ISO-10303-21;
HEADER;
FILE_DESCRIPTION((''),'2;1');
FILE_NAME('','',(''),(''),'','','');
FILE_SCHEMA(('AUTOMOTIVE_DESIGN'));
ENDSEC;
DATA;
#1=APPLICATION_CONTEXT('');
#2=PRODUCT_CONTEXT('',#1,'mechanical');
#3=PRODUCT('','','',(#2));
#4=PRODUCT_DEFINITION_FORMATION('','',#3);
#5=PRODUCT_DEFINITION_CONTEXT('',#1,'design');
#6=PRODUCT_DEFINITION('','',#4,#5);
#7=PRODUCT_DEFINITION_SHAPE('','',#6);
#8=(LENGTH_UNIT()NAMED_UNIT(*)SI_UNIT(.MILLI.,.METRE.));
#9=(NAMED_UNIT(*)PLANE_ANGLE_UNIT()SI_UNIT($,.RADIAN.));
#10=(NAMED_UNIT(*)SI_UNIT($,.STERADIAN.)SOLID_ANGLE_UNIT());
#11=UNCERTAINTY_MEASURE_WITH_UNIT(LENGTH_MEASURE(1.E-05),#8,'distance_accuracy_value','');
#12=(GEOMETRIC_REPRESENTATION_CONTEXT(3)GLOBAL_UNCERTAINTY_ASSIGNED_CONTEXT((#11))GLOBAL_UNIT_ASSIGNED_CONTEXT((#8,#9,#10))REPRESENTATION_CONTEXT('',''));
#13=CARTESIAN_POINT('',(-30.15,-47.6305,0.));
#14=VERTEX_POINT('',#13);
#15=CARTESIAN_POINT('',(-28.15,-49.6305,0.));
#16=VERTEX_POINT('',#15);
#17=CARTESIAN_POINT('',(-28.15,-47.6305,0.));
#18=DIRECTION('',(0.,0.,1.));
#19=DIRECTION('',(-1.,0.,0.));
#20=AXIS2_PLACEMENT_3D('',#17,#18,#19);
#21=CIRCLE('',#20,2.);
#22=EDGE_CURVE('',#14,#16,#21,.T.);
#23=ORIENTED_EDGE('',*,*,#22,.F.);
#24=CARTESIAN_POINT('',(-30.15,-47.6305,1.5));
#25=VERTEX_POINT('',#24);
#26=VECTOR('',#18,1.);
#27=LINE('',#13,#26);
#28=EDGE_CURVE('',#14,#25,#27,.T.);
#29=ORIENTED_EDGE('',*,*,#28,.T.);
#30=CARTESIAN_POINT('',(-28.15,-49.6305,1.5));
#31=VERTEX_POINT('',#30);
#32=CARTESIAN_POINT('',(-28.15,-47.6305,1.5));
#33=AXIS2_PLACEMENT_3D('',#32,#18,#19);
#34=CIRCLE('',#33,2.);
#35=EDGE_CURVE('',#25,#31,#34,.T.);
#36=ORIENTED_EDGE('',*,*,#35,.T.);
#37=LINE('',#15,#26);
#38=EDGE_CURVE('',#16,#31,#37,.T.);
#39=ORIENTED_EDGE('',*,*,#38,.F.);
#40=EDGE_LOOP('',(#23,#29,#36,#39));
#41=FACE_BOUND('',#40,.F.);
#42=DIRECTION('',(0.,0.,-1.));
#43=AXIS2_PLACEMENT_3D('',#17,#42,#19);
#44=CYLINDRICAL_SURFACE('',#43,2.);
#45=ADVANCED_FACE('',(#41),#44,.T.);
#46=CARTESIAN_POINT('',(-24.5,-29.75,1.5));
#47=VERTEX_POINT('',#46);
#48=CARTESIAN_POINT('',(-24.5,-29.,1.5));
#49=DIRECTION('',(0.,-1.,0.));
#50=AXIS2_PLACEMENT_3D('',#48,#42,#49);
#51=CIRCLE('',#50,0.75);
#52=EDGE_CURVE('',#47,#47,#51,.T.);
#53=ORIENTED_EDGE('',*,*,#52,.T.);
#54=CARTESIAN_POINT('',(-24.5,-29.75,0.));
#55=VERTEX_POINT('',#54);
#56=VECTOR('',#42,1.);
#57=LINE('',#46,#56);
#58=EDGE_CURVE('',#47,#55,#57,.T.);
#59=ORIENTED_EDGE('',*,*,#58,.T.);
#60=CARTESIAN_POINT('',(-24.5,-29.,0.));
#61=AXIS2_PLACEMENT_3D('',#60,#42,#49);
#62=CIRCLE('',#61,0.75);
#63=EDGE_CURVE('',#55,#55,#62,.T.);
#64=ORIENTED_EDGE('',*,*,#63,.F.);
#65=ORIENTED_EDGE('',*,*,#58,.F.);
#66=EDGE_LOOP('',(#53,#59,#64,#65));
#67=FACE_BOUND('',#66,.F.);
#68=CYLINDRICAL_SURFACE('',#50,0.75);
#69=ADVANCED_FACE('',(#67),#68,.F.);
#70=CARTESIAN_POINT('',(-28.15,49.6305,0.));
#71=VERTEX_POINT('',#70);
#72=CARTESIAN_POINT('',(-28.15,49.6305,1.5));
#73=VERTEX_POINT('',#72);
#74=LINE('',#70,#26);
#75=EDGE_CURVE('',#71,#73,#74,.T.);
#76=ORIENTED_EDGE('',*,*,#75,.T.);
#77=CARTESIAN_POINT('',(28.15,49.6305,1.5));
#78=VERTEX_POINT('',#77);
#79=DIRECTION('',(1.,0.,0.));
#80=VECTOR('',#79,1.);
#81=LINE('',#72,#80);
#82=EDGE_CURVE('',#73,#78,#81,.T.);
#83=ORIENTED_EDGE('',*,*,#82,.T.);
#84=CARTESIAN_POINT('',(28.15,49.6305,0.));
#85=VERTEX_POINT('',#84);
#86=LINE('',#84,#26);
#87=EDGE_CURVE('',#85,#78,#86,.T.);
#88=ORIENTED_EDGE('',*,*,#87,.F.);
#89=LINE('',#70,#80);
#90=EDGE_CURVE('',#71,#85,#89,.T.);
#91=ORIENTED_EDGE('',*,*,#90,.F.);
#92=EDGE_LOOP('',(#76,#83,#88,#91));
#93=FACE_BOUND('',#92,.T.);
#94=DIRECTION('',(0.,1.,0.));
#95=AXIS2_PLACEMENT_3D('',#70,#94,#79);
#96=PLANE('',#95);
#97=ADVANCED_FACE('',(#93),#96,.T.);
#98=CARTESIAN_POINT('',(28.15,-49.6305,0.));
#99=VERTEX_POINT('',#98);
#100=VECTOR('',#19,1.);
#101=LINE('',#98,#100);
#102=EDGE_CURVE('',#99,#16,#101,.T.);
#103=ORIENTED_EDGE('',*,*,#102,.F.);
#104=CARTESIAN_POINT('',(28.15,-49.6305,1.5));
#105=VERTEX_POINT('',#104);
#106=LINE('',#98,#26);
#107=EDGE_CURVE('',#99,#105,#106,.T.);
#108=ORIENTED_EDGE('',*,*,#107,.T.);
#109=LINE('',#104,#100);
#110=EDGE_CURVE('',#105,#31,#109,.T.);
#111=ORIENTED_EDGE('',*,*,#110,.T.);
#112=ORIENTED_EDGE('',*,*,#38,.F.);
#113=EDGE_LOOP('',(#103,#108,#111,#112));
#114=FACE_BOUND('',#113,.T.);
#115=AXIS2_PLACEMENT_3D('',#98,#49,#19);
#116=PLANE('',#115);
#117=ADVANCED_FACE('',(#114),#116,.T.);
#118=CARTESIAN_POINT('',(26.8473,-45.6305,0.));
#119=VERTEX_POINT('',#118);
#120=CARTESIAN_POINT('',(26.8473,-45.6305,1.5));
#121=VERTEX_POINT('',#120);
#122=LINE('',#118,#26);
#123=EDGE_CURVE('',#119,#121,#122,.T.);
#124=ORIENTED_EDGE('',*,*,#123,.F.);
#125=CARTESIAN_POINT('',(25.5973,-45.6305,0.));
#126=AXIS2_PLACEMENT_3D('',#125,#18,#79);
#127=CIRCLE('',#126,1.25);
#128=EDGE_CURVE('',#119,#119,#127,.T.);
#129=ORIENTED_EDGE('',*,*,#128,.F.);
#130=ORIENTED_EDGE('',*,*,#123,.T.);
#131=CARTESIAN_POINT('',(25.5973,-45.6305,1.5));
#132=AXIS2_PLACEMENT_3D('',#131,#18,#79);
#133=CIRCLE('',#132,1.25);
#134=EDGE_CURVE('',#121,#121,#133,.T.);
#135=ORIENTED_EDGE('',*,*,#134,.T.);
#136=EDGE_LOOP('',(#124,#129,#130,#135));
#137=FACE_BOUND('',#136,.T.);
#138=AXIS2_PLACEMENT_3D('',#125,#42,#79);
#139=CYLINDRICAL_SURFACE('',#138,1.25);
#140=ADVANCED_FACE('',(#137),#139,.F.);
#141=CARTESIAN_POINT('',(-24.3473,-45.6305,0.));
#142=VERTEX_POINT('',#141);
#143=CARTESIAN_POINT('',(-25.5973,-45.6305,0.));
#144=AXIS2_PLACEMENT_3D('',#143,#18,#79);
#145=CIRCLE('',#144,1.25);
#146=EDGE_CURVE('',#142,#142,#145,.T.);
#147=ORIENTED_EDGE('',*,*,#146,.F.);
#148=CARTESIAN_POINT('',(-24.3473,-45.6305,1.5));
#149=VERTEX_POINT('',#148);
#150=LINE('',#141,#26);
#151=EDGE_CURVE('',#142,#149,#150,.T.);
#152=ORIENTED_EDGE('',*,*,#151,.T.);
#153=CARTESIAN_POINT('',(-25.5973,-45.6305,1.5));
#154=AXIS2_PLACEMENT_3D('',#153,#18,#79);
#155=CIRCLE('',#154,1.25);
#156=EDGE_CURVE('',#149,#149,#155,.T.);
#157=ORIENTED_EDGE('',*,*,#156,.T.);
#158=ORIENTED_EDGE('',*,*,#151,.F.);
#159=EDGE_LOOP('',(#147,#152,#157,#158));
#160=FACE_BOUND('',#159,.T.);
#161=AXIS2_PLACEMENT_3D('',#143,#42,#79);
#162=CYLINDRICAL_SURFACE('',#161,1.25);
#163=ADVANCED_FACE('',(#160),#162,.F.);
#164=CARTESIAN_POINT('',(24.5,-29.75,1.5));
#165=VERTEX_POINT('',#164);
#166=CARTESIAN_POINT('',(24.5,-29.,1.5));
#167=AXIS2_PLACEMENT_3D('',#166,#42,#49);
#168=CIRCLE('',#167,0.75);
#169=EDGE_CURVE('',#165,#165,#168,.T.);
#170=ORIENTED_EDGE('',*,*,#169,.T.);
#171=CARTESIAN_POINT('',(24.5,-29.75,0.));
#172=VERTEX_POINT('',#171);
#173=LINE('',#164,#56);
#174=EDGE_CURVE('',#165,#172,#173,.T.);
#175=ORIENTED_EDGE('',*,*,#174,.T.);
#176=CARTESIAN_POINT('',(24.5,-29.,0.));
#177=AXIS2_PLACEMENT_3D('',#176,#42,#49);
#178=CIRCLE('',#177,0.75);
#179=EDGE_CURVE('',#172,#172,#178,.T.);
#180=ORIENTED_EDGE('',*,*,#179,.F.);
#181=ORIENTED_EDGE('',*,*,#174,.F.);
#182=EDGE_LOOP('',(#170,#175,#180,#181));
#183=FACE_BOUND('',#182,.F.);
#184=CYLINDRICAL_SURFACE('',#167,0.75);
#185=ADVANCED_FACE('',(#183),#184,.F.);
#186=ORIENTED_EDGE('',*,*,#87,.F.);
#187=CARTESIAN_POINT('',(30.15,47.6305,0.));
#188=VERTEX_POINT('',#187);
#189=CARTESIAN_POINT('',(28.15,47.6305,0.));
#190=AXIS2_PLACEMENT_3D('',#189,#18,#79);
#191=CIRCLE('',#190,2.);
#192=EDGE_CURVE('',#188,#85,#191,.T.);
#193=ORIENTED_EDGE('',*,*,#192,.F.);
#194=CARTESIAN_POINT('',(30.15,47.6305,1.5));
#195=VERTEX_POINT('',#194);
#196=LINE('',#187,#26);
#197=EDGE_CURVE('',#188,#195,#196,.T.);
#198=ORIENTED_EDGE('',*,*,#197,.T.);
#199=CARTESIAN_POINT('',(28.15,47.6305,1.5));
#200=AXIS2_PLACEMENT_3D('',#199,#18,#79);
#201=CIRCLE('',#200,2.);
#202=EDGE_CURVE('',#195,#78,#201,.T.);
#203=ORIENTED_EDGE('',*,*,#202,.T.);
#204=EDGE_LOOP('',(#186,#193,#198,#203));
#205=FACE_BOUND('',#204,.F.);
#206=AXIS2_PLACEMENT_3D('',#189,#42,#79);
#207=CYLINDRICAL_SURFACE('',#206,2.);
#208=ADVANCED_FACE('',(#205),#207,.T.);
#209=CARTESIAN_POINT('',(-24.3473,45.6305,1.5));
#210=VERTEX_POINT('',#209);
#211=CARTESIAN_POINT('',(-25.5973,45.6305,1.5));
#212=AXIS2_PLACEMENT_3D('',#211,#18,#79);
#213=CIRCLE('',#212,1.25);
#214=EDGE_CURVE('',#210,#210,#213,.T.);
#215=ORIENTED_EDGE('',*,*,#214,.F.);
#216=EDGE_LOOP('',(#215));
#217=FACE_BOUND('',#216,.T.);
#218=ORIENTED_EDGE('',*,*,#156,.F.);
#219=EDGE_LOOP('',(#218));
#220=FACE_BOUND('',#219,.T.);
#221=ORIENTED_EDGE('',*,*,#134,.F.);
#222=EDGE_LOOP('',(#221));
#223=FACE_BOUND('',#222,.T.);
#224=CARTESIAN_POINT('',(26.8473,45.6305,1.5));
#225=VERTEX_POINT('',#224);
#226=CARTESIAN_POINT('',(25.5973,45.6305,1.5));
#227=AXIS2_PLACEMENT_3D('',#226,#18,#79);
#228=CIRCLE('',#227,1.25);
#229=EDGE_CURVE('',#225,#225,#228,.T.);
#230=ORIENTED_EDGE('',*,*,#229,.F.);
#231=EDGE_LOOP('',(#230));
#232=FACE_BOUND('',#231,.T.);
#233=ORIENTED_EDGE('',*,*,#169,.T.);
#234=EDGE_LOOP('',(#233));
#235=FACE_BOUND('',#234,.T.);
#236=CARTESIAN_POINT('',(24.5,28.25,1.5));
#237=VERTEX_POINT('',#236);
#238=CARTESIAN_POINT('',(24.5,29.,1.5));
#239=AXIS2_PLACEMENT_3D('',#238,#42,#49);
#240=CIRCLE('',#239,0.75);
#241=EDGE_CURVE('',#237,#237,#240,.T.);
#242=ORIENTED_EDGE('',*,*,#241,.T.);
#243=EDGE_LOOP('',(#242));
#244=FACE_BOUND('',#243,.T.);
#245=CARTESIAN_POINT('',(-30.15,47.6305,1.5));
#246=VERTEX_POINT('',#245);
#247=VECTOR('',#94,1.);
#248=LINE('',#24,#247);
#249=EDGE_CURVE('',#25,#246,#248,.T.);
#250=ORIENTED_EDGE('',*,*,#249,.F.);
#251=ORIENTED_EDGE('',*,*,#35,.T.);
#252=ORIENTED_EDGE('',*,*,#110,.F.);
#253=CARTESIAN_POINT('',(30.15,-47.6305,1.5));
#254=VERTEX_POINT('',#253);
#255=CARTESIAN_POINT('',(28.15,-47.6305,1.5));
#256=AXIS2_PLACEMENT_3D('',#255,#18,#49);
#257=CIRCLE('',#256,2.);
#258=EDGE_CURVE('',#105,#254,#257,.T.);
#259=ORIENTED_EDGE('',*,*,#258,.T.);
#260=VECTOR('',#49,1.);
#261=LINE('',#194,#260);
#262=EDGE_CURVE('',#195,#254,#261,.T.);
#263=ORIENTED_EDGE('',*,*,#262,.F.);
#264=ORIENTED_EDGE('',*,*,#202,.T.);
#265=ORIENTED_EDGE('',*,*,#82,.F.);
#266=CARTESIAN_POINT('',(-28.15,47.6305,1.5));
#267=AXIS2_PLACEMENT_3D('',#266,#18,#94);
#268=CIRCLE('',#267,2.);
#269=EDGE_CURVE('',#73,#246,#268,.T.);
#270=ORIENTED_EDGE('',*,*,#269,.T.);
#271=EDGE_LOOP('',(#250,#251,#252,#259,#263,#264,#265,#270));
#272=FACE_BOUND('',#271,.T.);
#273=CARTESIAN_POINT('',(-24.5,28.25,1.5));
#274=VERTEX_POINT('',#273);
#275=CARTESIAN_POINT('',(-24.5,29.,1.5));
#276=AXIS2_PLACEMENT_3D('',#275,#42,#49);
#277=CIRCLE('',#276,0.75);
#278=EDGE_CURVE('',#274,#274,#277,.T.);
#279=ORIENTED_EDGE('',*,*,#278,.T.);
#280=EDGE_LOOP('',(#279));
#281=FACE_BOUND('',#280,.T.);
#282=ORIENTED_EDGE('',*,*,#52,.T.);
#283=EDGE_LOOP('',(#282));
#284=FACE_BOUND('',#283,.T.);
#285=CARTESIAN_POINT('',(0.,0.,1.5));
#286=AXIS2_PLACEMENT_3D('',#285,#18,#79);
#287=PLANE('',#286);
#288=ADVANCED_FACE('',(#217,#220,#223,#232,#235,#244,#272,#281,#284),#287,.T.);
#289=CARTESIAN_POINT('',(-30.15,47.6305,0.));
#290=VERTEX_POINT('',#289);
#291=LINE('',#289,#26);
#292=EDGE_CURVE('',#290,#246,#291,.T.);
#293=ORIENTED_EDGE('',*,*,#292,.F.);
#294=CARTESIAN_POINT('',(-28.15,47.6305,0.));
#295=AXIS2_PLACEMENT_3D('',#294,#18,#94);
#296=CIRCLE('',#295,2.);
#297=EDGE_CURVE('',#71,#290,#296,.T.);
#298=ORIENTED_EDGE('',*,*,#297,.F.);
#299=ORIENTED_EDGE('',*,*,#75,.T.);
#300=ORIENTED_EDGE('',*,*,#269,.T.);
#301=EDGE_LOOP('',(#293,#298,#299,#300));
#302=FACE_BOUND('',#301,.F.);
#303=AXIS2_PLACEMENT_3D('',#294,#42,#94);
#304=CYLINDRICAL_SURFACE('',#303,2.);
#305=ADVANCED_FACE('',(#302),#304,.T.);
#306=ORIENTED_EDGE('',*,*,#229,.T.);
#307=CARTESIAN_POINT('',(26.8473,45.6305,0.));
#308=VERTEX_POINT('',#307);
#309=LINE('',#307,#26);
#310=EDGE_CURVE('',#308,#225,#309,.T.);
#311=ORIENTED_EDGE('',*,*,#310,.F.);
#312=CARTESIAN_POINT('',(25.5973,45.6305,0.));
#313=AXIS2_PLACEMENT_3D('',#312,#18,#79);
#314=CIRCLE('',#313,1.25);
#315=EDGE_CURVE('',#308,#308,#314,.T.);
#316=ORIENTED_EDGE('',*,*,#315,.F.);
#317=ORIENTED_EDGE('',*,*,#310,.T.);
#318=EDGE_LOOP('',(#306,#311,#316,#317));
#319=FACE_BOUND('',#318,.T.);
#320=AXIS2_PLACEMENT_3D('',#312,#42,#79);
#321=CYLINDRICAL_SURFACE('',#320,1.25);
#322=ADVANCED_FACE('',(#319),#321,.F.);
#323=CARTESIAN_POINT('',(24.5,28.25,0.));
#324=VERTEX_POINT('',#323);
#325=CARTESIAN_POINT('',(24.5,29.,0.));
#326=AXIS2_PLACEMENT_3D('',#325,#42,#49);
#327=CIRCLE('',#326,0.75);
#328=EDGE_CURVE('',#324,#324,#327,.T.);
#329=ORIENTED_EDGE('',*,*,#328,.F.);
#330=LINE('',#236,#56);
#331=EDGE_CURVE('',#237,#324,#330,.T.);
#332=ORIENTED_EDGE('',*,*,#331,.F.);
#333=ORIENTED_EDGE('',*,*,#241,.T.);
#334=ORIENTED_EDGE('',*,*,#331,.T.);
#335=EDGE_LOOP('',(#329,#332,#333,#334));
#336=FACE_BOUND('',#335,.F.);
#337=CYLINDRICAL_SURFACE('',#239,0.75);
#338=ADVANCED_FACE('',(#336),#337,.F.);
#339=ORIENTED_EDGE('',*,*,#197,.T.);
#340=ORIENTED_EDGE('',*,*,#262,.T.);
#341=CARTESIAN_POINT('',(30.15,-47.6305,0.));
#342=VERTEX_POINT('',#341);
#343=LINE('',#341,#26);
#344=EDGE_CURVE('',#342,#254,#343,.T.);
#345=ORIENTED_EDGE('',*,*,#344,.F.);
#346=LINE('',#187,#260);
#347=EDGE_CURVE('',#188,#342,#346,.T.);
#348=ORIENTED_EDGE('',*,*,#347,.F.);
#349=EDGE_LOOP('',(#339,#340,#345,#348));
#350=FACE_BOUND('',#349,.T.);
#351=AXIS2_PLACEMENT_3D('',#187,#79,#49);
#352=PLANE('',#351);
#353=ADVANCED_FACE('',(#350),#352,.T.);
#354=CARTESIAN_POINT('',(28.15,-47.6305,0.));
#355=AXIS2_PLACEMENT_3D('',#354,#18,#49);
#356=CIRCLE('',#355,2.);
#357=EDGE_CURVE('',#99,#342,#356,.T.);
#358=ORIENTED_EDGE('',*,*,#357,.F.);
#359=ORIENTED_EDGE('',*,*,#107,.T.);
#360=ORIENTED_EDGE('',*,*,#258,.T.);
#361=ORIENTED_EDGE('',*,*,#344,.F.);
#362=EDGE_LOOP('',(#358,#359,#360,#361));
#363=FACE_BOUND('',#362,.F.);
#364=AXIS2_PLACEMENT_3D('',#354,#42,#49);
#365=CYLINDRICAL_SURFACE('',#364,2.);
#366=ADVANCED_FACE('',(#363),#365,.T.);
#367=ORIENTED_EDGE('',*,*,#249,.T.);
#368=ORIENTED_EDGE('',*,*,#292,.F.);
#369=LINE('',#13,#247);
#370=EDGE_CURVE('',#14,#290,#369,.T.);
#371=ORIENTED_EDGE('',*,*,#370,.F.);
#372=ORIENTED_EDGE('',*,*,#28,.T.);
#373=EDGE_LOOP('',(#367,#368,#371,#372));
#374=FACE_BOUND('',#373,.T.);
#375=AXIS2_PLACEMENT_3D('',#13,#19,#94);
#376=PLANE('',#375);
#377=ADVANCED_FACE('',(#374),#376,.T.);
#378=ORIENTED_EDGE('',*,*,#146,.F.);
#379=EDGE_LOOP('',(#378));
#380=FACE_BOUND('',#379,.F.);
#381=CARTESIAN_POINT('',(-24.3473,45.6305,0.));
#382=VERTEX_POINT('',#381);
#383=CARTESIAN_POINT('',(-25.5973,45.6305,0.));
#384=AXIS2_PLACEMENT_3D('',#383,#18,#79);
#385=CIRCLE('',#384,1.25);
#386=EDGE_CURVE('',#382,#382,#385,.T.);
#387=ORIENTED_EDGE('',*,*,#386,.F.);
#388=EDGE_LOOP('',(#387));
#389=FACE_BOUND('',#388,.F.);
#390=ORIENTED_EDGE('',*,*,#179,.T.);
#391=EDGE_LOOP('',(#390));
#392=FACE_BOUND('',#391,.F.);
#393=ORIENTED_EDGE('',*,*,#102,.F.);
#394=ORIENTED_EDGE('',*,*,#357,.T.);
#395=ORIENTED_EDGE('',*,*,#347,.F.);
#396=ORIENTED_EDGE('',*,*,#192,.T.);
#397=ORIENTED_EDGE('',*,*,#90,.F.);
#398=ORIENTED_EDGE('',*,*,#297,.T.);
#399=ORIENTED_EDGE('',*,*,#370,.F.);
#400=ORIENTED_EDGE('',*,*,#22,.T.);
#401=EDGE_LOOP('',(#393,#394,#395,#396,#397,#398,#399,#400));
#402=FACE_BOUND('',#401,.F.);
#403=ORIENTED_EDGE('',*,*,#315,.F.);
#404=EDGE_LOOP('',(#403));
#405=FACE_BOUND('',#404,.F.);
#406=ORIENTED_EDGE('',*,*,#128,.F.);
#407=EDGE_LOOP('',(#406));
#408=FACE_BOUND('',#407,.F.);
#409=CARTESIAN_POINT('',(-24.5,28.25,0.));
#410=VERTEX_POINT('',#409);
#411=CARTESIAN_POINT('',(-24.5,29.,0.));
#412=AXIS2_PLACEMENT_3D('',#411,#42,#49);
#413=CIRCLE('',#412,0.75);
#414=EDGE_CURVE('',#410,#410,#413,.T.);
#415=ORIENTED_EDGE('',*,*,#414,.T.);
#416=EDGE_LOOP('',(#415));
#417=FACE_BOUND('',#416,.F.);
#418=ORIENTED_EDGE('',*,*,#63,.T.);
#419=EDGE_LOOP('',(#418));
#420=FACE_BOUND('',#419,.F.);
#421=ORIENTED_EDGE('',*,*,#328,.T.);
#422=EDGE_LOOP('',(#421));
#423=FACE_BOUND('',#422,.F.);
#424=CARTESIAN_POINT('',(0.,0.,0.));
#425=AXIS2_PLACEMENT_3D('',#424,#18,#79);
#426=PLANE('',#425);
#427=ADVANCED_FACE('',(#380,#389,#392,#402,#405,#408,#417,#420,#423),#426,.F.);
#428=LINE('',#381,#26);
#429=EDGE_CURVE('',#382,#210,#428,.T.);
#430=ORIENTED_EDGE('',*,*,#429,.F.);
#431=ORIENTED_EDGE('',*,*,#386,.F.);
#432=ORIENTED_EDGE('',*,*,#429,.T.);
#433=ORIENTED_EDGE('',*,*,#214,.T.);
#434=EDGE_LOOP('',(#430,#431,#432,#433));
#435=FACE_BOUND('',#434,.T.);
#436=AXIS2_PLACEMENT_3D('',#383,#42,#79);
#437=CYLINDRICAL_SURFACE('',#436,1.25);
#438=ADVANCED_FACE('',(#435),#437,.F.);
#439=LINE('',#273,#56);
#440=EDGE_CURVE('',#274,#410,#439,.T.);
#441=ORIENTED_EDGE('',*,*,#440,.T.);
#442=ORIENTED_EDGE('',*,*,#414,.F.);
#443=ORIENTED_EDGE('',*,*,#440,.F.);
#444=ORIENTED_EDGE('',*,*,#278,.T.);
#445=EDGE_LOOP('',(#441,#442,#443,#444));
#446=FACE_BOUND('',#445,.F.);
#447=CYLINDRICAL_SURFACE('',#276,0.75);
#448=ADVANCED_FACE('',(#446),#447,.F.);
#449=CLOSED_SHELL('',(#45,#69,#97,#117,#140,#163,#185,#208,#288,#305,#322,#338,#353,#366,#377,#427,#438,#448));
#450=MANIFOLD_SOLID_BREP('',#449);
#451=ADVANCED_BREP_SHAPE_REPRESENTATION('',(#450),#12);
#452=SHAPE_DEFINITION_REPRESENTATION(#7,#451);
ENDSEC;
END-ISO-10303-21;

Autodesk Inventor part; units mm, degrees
ref_plane "YZ Plane" through (0, 0, 0) normal (1, 0, 0) x (0, 1, 0)
ref_plane "XZ Plane" through (0, 0, 0) normal (0, 1, 0) x (-1, 0, 0)
ref_plane "XY Plane" through (0, 0, 0) normal (0, 0, 1) x (1, 0, 0)
sketch "Sketch1" plane through (0, 0, 0) normal (0, 0, 1) x (1, 0, 0)
  line L0 (-28.15, 49.6305) -> (28.15, 49.6305)
  line L1 (30.15, 47.6305) -> (30.15, -47.6305)
  line L2 (28.15, -49.6305) -> (-28.15, -49.6305)
  line L3 (-30.15, -47.6305) -> (-30.15, 47.6305)
  line L4 (-30.15, 45.6305) -> (30.15, 45.6305) construction
  circle A0 centre (-25.5973, 45.6305) radius 1.25
  line L5 (0, 49.6305) -> (0, -49.6305) construction
  line L6 (-30.15, 0) -> (30.15, 0) construction
  circle A1 centre (25.5973, 45.6305) radius 1.25
  circle A2 centre (-25.5973, -45.6305) radius 1.25
  circle A3 centre (25.5973, -45.6305) radius 1.25
  arc A4 (-28.15, 49.6305) -> (-30.15, 47.6305) centre (-28.15, 47.6305) ccw
  arc A5 (30.15, 47.6305) -> (28.15, 49.6305) centre (28.15, 47.6305) ccw
  arc A6 (-30.15, -47.6305) -> (-28.15, -49.6305) centre (-28.15, -47.6305) ccw
  arc A7 (28.15, -49.6305) -> (30.15, -47.6305) centre (28.15, -47.6305) ccw
  point P0 (0, 0)
  point P1 (-30.15, 49.6305)
  point P2 (30.15, -49.6305)
  point P3 (30.15, 49.6305)
  point P4 (-30.15, -49.6305)
  point P5 (0, 0)
  dimension "d1" = 2.5
  dimension "d2" = 4
  dimension "d3" = 2
  dimension "d4" = 56.3001
  dimension "d5" = 95.2609
  dimension "d6" = 51.1946
extrude "Plate2" add sketch "Sketch1" along normal blind 1.5
sketch "Sketch2" plane through (0, 0, 1.5) normal (0, 0, 1) x (1, 0, 0)
  circle A0 centre (24.5, 29) radius 1.35
  circle A1 centre (-24.5, 29) radius 3 construction
  circle A2 centre (-24.5, 29) radius 1.35
  circle A3 centre (24.5, -29) radius 3 construction
  circle A4 centre (24.5, -29) radius 1.35
  circle A5 centre (-24.5, -29) radius 3 construction
  circle A6 centre (-24.5, -29) radius 1.35
  circle A7 centre (24.5, 29) radius 3 construction
  line L0 (-24.5, -29) -> (-24.5, 29) construction
  line L1 (-24.5, 29) -> (24.5, 29) construction
  line L2 (24.5, 29) -> (24.5, -29) construction
  line L3 (24.5, -29) -> (-24.5, -29) construction
  line L4 (-28.15, 49.6305) -> (28.15, 49.6305) projected
  line L5 (0, 49.6305) -> (0, -49.6305) construction
  line L6 (28.15, -49.6305) -> (-28.15, -49.6305) projected
  line L7 (-30.15, -47.6305) -> (-30.15, 47.6305) projected
  line L8 (-30.15, 0) -> (30.15, 0) construction
  line L9 (30.15, 47.6305) -> (30.15, -47.6305) projected
  line L10 (0, 29) -> (0, -29) construction
  line L11 (-24.5, 0) -> (24.5, 0) construction
  point P0 (0, 0)
  point P1 (0, 0)
  dimension "d9" = 6
  dimension "d10" = 2.7
  dimension "d11" = 58
  dimension "d12" = 49
hole "Hole1" at (-24.5, 29, 1.5) at (24.5, 29, 1.5) at (-24.5, -29, 1.5) at (24.5, -29, 1.5) direction (0, 0, -1) diameter 1.5 depth 1.5 tip angle 118
equation "\"d18\" = Thickness"
equation "\"d8\" = Thickness"
equation "\"BendRadius\" = Thickness"
equation "\"BendReliefWidth\" = Thickness"
equation "\"BendReliefDepth\" = 0.5 * Thickness"
equation "\"CornerReliefSize\" = 4 * Thickness"
equation "\"MinimumRemnant\" = 2 * Thickness"
equation "\"TransitionRadius\" = BendRadius"
equation "\"JacobiRadiusSize\" = BendRadius"
equation "\"GapSize\" = Thickness"
equation "\"Thickness\" = 1.5"
properties part number "TauControllerCover"
